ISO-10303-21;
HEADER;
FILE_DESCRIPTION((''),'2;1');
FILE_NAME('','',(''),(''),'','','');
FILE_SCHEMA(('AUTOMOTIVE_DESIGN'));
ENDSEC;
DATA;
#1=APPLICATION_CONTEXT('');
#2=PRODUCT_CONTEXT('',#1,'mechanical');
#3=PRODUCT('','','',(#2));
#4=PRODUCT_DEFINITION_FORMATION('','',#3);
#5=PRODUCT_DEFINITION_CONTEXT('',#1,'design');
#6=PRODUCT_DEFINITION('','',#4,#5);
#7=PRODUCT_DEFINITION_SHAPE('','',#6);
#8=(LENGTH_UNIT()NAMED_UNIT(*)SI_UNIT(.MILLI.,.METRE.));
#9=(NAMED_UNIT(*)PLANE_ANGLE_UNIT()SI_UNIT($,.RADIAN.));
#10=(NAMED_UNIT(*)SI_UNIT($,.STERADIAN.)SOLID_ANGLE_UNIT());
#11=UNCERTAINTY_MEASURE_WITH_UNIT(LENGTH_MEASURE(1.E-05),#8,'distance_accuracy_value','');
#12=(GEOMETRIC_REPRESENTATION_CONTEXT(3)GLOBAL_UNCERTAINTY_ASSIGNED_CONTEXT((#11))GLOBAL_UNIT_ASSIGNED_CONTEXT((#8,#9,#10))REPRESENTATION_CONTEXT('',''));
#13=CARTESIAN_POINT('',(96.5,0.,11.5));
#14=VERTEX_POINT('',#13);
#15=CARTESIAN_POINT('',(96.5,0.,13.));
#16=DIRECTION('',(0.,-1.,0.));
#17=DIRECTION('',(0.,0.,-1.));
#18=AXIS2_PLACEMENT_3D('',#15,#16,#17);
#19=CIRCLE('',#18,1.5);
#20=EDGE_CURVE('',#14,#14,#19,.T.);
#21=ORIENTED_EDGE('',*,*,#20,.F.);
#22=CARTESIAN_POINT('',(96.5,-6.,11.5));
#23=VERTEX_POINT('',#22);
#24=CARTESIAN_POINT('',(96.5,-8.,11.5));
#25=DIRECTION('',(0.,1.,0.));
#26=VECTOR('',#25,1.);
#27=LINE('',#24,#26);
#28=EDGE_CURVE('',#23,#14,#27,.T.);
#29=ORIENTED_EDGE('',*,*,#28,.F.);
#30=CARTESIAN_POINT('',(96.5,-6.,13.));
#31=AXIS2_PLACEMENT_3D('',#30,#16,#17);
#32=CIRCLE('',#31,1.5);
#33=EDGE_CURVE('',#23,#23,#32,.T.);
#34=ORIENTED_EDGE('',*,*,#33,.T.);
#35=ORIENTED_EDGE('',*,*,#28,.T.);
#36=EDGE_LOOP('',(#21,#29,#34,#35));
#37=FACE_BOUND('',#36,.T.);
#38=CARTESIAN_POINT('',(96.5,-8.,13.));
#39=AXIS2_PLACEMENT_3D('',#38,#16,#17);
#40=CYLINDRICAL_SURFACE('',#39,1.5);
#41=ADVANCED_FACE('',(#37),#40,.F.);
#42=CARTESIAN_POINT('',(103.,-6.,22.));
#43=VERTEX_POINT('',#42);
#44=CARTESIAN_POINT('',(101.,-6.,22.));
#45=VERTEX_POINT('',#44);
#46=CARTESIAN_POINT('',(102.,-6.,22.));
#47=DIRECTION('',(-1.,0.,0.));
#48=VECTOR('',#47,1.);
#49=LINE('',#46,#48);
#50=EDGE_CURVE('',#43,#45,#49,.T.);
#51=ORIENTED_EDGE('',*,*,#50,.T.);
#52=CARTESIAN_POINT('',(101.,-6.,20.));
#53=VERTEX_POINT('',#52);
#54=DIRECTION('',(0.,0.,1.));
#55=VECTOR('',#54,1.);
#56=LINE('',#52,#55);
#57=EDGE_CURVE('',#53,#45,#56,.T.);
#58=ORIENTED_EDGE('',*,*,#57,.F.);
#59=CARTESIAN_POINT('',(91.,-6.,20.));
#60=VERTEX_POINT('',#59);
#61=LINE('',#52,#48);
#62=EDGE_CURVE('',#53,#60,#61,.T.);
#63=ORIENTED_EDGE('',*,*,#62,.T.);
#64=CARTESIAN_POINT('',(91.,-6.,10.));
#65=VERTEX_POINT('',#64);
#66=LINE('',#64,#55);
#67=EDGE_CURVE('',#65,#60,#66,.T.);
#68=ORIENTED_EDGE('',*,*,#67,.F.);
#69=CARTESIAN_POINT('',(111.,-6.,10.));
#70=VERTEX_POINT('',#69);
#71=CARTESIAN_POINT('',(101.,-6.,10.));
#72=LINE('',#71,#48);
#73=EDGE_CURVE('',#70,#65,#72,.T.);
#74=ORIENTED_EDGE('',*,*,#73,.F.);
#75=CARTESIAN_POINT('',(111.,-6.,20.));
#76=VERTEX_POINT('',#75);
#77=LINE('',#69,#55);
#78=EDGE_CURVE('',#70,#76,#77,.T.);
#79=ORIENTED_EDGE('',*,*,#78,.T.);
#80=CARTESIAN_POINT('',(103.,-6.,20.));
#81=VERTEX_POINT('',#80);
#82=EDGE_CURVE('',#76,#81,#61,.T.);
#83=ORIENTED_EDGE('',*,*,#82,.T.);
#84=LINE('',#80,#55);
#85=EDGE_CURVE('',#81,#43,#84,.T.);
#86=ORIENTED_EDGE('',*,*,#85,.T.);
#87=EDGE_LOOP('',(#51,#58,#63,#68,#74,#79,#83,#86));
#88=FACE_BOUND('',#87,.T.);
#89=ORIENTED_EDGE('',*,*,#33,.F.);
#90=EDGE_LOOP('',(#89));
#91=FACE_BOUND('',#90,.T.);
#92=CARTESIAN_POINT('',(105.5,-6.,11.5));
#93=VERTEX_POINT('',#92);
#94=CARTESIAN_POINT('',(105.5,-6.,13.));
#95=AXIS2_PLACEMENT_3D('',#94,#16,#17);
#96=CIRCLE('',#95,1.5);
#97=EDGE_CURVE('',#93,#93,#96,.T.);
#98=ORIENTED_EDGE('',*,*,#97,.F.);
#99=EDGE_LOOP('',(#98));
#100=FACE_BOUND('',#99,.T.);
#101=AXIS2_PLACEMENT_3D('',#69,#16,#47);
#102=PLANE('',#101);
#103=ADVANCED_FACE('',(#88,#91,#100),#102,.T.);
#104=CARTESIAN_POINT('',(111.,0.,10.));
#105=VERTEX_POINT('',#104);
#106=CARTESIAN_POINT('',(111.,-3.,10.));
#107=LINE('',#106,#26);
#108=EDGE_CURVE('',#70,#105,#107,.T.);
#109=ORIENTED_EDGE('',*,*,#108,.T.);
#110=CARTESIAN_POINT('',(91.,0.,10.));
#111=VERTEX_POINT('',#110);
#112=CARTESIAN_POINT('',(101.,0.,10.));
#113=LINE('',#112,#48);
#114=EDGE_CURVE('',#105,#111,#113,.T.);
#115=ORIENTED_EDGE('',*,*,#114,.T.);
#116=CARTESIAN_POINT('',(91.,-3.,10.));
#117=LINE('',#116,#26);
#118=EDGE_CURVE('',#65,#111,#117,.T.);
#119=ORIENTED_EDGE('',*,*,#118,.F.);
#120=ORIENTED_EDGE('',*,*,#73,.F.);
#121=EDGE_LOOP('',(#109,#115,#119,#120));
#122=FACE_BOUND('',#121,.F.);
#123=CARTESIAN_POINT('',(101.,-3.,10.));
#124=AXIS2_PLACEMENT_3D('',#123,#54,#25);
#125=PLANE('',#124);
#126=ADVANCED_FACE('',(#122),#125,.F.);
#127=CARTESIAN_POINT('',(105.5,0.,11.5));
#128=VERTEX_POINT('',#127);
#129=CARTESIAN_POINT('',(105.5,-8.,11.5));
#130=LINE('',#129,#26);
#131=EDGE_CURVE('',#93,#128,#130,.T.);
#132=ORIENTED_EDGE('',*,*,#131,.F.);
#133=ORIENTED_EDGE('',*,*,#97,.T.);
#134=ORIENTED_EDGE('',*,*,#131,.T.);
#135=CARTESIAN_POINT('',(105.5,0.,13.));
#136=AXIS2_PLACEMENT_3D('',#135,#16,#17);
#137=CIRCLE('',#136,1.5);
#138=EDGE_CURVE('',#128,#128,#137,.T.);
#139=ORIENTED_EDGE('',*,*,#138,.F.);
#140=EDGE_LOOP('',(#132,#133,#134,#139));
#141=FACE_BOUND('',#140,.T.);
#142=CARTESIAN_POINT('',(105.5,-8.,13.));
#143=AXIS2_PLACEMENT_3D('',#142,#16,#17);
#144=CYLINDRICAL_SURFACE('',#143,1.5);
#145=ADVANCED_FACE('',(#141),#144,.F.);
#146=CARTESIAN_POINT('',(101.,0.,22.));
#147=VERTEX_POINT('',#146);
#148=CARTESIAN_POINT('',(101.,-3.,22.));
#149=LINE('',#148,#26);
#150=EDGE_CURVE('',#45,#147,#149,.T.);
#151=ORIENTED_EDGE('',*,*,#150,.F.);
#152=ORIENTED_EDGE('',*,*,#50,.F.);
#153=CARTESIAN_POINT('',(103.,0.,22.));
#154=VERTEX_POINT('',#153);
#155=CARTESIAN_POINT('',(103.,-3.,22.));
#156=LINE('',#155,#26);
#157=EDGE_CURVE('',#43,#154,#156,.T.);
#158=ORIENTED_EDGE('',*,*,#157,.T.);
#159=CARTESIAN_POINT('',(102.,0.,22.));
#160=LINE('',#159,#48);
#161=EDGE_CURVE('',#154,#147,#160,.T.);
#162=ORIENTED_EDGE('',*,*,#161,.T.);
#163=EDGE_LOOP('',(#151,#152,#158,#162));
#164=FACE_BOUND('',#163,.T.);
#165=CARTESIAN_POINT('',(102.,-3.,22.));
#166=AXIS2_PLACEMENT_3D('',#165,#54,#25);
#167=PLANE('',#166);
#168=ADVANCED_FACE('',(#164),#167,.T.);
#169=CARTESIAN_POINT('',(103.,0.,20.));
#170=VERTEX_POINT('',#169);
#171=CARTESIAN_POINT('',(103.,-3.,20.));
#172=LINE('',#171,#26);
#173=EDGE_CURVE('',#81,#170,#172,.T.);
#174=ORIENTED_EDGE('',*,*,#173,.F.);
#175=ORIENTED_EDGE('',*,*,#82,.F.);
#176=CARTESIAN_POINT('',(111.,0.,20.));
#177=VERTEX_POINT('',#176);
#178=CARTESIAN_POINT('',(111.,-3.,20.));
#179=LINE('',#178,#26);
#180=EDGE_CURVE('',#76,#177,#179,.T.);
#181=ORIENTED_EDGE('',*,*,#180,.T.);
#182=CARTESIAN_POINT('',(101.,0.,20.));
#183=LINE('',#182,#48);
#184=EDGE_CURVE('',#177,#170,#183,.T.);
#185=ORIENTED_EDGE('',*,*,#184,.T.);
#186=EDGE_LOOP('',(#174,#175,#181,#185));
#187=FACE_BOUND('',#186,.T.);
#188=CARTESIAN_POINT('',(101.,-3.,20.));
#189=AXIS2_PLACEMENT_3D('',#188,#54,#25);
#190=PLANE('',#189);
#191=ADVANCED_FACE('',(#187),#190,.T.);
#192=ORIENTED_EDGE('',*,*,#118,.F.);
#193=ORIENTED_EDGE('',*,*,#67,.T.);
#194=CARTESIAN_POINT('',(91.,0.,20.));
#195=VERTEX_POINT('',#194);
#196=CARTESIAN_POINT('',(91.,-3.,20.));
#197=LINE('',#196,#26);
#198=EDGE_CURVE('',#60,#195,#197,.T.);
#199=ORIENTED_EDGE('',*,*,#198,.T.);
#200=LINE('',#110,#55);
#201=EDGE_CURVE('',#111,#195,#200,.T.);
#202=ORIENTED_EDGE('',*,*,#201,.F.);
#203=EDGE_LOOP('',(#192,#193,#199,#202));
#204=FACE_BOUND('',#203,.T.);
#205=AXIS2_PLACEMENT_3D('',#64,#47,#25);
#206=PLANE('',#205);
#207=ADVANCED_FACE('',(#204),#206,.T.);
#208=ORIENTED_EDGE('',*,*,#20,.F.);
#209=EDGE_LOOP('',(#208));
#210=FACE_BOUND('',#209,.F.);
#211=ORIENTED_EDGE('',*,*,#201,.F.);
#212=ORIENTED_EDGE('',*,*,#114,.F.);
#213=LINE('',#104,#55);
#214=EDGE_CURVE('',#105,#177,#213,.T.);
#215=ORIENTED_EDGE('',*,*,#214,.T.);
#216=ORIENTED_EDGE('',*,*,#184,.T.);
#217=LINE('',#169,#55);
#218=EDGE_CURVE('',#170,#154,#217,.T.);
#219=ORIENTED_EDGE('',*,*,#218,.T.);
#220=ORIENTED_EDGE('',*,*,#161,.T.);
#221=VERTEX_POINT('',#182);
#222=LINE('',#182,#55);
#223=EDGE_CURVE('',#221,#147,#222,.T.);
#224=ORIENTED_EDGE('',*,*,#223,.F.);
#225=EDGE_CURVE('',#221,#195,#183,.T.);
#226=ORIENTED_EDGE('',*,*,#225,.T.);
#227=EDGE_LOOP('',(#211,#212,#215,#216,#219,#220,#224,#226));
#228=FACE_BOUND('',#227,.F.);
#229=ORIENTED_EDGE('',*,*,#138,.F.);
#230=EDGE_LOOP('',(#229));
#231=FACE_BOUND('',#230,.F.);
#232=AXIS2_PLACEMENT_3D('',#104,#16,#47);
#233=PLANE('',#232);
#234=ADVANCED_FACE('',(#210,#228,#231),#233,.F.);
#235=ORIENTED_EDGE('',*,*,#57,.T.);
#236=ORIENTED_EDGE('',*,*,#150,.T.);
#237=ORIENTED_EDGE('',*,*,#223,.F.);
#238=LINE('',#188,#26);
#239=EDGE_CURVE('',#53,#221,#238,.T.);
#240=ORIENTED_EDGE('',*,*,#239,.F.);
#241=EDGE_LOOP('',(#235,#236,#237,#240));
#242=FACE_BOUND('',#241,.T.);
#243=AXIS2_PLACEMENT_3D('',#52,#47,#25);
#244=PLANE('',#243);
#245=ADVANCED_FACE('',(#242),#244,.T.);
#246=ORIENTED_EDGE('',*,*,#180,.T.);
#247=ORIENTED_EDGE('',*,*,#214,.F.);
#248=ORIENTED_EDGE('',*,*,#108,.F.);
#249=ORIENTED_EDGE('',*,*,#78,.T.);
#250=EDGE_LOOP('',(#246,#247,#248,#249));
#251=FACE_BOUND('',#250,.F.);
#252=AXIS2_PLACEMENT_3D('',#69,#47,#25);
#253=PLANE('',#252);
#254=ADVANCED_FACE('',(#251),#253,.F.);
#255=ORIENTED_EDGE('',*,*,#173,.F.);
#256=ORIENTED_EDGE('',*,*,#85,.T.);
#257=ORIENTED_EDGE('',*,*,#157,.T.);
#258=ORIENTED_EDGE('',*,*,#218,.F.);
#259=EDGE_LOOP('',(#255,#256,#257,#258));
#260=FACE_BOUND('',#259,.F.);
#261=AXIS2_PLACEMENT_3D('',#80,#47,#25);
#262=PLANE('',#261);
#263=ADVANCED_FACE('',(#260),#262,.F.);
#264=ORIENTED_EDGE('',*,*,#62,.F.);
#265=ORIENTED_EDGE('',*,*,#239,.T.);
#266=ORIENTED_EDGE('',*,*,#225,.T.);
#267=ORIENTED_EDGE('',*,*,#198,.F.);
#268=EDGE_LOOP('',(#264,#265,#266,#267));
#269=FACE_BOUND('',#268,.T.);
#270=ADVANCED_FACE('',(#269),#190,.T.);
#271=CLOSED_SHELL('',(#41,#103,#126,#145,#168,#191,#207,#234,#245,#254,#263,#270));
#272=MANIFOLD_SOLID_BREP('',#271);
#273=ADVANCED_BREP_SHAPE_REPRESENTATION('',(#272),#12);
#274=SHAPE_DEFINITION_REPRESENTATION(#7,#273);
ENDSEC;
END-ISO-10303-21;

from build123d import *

# Parameters (mm, degrees)
CYLINDER033_R        = 1.5
CYLINDER033_DEPTH    = 10
ARRAY001016_Y_COUNT  = 2
ARRAY001016_Y_PITCH  = 9
BOX016_W             = 6
BOX016_H             = 20
BOX016_DEPTH         = 10
BOX017_W             = 6
BOX017_H             = 2
BOX017_DEPTH         = 2
BODY_PLACEMENT_ANGLE = 90


with BuildPart() as end_stop_hole_array:
    # Cylinder033 → Cylinder033 (new body)
    with BuildSketch(Plane(origin=(-2, 5.5, 3), x_dir=(0, 0, -1), z_dir=(1, 0, 0))):
        Circle(CYLINDER033_R)
    extrude(amount=CYLINDER033_DEPTH)

    # Array001016 Y: end stop hole array ×2


with BuildPart() as end_stop_hole_array_1:
    add(end_stop_hole_array.part)
    with Locations(*[(0, i * ARRAY001016_Y_PITCH, 0) for i in range(1, ARRAY001016_Y_COUNT)]):
        add(end_stop_hole_array.part)


with BuildPart() as end_stop_body_cube:
    # Box016 → Box016 (new body)
    with BuildSketch(Plane.XY):
        with Locations((3, 10)):
            Rectangle(BOX016_W, BOX016_H)
    extrude(amount=BOX016_DEPTH)


with BuildPart() as end_stop_clone:
    # Box017 → Box017 (new body)
    with BuildSketch(Plane(origin=(0, 8, 10), x_dir=(1, 0, 0), z_dir=(0, 0, 1))):
        with Locations((3, 1)):
            Rectangle(BOX017_W, BOX017_H)
    extrude(amount=BOX017_DEPTH)

    # Fusion013: union end stop body cube
    add(end_stop_body_cube.part)

    # Cut013: cut end stop hole array
    add(end_stop_hole_array_1.part, mode=Mode.SUBTRACT)


with BuildPart() as end_stop_clone_1:
    # Body placement: moved
    add(end_stop_clone.part.moved(Location((111, -6, 10))).rotate(Axis((111, -6, 10), (0, 0, 1)), BODY_PLACEMENT_ANGLE))


solid = end_stop_clone_1.part
